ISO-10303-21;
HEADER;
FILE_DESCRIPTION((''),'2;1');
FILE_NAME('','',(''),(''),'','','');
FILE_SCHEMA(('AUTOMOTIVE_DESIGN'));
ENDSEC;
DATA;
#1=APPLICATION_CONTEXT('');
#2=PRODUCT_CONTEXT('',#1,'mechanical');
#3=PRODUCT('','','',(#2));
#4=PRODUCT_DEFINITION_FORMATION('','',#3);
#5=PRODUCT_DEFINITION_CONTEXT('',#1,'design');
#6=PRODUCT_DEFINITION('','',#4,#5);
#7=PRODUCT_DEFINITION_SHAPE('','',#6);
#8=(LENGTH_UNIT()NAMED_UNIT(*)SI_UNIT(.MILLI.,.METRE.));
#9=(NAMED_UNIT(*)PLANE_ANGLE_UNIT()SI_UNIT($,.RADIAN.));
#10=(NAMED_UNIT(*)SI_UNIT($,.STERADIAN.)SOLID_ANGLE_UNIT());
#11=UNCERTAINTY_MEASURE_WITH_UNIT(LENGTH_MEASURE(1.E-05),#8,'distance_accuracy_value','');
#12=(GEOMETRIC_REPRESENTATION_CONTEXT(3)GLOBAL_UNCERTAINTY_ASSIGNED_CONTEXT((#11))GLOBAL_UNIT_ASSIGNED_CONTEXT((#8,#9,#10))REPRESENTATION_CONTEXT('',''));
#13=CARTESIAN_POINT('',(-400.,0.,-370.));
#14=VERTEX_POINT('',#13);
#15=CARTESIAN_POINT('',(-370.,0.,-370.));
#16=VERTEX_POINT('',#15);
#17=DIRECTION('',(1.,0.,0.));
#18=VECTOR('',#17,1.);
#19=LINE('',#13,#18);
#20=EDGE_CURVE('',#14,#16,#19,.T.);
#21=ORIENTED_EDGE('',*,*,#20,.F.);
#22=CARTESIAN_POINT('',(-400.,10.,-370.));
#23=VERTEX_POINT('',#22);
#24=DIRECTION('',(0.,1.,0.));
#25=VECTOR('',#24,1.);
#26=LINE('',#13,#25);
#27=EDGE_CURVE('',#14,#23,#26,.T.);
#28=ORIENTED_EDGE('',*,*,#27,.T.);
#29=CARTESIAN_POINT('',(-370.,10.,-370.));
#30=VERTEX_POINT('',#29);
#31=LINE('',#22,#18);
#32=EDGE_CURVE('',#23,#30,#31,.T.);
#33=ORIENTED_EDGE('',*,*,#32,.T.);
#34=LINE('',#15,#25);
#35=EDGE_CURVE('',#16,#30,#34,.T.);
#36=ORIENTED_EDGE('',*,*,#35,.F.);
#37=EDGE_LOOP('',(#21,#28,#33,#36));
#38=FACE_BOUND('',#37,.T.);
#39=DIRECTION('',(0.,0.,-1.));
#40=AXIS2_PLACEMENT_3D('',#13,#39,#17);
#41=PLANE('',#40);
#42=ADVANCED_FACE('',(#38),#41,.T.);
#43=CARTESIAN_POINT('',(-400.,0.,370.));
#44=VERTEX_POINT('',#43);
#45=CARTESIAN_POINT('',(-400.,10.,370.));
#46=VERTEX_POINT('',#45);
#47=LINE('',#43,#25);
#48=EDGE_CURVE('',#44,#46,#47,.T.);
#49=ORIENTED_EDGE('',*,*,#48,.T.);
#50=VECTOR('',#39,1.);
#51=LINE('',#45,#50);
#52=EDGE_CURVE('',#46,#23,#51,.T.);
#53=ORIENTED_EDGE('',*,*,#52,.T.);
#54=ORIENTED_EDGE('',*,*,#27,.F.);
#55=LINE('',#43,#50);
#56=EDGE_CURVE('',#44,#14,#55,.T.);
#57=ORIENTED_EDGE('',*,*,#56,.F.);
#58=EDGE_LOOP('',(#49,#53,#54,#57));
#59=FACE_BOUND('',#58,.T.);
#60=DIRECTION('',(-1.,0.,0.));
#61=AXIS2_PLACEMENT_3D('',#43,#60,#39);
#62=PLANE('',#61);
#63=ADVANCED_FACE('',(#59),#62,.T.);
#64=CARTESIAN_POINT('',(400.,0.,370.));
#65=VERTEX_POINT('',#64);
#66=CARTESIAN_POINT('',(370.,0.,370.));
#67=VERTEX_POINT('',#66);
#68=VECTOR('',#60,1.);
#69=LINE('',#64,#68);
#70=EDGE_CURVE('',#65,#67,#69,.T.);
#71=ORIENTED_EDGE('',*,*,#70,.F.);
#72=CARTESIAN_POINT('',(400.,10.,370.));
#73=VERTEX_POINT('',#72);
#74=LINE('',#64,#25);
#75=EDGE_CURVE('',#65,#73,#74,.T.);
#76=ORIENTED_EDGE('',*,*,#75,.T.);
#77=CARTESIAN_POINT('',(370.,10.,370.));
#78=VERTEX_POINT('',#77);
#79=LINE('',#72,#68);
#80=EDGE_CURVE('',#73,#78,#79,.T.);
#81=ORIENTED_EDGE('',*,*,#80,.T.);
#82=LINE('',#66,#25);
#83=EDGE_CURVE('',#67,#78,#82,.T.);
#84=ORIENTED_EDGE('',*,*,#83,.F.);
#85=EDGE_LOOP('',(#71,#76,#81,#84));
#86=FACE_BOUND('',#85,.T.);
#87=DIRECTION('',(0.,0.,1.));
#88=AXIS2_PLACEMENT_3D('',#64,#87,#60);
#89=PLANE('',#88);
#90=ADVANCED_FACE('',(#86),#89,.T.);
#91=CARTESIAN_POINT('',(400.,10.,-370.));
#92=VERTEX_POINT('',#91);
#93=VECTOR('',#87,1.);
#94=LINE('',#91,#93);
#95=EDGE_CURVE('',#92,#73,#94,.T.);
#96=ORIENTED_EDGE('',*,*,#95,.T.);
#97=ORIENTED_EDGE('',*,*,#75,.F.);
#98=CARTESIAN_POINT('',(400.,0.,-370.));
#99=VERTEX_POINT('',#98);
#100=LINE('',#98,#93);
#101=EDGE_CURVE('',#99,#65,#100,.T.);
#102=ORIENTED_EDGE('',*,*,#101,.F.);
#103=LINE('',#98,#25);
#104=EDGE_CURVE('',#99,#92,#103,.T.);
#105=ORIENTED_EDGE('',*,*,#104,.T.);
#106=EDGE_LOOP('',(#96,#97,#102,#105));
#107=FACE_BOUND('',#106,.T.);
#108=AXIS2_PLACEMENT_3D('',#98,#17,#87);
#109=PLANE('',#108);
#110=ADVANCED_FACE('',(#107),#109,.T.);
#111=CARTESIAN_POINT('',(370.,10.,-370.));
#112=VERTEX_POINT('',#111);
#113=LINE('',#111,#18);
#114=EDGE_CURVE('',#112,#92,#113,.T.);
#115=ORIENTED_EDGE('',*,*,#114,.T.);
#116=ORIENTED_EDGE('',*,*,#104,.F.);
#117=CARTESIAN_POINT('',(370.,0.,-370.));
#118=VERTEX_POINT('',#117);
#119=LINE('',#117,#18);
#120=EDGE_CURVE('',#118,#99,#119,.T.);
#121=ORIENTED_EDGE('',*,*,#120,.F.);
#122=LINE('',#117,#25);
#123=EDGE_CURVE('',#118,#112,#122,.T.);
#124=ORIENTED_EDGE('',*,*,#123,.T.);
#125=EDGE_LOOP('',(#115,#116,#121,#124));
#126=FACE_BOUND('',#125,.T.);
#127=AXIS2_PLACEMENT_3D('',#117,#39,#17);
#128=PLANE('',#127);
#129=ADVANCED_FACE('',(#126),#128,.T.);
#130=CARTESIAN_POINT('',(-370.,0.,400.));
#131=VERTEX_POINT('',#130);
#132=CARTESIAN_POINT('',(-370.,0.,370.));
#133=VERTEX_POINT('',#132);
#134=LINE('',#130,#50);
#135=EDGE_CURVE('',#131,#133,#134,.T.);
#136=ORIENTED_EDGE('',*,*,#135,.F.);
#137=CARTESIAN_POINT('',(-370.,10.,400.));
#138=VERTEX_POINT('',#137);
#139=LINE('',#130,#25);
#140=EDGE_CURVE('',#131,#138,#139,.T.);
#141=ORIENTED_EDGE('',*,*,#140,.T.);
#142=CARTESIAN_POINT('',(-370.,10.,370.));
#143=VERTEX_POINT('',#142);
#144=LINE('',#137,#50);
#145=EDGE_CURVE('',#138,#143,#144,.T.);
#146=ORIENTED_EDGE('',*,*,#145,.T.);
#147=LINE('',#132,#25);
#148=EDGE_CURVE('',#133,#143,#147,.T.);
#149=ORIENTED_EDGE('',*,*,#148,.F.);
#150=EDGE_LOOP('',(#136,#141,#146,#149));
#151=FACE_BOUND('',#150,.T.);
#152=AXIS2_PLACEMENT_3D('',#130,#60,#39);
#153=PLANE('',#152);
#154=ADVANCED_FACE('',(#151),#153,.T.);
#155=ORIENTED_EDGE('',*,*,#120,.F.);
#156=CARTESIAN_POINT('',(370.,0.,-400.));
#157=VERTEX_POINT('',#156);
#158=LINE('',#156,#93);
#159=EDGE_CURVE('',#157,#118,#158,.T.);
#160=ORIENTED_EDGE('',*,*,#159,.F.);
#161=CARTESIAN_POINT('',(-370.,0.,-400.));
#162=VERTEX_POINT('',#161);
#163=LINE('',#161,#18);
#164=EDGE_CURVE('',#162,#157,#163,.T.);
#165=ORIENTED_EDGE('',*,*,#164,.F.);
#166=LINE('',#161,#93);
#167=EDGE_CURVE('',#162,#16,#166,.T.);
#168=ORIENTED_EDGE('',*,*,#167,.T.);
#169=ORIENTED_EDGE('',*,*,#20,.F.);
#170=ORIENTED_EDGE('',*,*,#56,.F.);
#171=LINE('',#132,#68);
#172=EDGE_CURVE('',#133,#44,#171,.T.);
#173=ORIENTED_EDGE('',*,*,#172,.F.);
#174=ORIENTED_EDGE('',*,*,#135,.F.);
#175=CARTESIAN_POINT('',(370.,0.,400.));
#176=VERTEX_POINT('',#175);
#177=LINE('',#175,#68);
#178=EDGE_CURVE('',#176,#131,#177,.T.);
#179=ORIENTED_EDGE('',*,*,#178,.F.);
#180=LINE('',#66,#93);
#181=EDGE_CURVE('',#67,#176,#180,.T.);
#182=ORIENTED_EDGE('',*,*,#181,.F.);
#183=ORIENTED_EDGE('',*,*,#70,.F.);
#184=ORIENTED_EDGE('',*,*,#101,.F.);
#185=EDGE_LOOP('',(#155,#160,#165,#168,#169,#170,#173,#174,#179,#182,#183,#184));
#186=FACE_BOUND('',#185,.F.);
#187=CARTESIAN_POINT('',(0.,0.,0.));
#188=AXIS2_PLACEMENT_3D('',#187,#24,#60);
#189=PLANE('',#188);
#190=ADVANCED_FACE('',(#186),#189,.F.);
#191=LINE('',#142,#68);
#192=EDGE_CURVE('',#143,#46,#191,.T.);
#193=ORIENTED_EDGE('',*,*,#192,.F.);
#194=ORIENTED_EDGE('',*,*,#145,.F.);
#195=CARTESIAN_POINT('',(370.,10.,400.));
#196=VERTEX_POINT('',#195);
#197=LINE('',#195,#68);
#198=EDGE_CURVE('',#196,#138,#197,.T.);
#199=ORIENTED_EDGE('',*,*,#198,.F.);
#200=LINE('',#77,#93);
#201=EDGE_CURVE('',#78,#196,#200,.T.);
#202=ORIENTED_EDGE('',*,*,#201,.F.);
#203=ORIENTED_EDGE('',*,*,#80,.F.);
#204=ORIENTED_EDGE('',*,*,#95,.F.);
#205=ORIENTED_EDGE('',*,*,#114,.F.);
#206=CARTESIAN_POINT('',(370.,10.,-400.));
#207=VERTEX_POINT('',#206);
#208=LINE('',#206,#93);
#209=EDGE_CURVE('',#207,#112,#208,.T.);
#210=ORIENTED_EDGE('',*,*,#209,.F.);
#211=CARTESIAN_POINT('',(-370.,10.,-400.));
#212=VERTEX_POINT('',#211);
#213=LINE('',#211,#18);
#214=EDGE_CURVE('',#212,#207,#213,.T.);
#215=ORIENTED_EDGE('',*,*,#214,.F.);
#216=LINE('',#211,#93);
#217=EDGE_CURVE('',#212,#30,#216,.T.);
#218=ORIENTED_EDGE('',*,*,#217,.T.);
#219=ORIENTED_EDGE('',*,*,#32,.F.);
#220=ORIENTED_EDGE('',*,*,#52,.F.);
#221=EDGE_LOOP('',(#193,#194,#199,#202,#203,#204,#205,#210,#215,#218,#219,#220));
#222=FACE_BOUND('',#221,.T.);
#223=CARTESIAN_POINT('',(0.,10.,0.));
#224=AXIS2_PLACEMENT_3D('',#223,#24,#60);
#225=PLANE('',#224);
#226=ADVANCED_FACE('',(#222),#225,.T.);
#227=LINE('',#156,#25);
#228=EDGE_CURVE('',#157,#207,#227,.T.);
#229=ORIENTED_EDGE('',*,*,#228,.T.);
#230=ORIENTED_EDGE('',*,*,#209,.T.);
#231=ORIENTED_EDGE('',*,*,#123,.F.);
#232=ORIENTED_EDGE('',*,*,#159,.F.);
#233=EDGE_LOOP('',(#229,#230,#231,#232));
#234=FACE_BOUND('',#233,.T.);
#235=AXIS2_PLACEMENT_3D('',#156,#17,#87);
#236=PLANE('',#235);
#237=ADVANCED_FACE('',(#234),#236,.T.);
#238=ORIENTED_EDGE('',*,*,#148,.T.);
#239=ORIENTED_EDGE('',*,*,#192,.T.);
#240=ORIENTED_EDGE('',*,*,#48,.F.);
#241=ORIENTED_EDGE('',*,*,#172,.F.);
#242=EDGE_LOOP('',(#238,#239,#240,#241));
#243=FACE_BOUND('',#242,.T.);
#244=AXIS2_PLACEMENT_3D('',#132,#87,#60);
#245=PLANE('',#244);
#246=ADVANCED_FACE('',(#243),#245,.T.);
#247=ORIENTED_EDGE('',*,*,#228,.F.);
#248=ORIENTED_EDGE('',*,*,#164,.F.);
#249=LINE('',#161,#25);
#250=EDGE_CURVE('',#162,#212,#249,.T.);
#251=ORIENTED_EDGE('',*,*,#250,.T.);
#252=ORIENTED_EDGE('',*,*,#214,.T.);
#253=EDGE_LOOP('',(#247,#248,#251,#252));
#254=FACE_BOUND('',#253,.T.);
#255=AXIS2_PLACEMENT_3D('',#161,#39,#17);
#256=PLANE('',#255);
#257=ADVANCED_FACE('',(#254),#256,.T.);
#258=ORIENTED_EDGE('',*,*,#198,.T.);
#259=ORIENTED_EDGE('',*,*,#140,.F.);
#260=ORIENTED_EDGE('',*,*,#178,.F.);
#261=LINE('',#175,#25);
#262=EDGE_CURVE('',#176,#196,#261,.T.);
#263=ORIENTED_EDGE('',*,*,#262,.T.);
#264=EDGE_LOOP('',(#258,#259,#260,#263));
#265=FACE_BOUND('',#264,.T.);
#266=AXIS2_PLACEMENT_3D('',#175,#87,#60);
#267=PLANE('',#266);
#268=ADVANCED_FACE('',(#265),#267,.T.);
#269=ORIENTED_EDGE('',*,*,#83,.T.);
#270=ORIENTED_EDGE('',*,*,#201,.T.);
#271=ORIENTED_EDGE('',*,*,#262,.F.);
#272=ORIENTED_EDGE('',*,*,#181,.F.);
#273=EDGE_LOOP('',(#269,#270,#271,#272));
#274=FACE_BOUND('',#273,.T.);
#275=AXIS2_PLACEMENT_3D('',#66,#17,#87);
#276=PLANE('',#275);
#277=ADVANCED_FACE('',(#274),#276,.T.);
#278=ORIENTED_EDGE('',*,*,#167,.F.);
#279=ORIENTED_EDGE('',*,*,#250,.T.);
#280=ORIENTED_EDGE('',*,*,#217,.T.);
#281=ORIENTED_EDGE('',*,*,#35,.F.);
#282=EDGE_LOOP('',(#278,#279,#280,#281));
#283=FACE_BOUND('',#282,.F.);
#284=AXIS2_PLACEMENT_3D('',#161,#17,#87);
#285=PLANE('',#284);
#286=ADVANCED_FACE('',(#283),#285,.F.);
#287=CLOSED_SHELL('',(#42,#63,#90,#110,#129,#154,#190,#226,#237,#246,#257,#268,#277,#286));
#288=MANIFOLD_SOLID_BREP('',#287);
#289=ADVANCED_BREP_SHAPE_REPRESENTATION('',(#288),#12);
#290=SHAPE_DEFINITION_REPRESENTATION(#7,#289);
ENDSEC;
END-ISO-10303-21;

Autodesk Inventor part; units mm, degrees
ref_plane "YZ Plane" through (0, 0, 0) normal (1, 0, 0) x (0, 1, 0)
ref_plane "XZ Plane" through (0, 0, 0) normal (0, 1, 0) x (-1, 0, 0)
ref_plane "XY Plane" through (0, 0, 0) normal (0, 0, 1) x (1, 0, 0)
sketch "스케치1" plane through (0, 0, 0) normal (0, 1, 0) x (-1, 0, 0)
  line L0 (370, -400) -> (-370, -400)
  line L1 (-370, -400) -> (-370, -370)
  line L2 (-370, -370) -> (-400, -370)
  line L3 (-400, -370) -> (-400, 370)
  line L4 (-400, 370) -> (-370, 370)
  line L5 (-370, 370) -> (-370, 400)
  line L6 (-370, 400) -> (370, 400)
  line L7 (370, 400) -> (370, 370)
  line L8 (370, 370) -> (400, 370)
  line L9 (400, 370) -> (400, -370)
  line L10 (400, -370) -> (370, -370)
  line L11 (370, -400) -> (370, -370)
  point P0 (0, 0)
  dimension "d6" = 740
  dimension "d7" = 740
  dimension "d8" = 30
  dimension "d9" = 30
  dimension "d10" = 30
  dimension "d11" = 30
  dimension "d12" = 30
  dimension "d13" = 30
  dimension "d14" = 30
  dimension "d15" = 30
  dimension "d17" = 400
  dimension "d18" = 400
extrude "돌출1" add sketch "스케치1" along normal blind 10
properties part number "plate1" material "알루미늄 6061"
